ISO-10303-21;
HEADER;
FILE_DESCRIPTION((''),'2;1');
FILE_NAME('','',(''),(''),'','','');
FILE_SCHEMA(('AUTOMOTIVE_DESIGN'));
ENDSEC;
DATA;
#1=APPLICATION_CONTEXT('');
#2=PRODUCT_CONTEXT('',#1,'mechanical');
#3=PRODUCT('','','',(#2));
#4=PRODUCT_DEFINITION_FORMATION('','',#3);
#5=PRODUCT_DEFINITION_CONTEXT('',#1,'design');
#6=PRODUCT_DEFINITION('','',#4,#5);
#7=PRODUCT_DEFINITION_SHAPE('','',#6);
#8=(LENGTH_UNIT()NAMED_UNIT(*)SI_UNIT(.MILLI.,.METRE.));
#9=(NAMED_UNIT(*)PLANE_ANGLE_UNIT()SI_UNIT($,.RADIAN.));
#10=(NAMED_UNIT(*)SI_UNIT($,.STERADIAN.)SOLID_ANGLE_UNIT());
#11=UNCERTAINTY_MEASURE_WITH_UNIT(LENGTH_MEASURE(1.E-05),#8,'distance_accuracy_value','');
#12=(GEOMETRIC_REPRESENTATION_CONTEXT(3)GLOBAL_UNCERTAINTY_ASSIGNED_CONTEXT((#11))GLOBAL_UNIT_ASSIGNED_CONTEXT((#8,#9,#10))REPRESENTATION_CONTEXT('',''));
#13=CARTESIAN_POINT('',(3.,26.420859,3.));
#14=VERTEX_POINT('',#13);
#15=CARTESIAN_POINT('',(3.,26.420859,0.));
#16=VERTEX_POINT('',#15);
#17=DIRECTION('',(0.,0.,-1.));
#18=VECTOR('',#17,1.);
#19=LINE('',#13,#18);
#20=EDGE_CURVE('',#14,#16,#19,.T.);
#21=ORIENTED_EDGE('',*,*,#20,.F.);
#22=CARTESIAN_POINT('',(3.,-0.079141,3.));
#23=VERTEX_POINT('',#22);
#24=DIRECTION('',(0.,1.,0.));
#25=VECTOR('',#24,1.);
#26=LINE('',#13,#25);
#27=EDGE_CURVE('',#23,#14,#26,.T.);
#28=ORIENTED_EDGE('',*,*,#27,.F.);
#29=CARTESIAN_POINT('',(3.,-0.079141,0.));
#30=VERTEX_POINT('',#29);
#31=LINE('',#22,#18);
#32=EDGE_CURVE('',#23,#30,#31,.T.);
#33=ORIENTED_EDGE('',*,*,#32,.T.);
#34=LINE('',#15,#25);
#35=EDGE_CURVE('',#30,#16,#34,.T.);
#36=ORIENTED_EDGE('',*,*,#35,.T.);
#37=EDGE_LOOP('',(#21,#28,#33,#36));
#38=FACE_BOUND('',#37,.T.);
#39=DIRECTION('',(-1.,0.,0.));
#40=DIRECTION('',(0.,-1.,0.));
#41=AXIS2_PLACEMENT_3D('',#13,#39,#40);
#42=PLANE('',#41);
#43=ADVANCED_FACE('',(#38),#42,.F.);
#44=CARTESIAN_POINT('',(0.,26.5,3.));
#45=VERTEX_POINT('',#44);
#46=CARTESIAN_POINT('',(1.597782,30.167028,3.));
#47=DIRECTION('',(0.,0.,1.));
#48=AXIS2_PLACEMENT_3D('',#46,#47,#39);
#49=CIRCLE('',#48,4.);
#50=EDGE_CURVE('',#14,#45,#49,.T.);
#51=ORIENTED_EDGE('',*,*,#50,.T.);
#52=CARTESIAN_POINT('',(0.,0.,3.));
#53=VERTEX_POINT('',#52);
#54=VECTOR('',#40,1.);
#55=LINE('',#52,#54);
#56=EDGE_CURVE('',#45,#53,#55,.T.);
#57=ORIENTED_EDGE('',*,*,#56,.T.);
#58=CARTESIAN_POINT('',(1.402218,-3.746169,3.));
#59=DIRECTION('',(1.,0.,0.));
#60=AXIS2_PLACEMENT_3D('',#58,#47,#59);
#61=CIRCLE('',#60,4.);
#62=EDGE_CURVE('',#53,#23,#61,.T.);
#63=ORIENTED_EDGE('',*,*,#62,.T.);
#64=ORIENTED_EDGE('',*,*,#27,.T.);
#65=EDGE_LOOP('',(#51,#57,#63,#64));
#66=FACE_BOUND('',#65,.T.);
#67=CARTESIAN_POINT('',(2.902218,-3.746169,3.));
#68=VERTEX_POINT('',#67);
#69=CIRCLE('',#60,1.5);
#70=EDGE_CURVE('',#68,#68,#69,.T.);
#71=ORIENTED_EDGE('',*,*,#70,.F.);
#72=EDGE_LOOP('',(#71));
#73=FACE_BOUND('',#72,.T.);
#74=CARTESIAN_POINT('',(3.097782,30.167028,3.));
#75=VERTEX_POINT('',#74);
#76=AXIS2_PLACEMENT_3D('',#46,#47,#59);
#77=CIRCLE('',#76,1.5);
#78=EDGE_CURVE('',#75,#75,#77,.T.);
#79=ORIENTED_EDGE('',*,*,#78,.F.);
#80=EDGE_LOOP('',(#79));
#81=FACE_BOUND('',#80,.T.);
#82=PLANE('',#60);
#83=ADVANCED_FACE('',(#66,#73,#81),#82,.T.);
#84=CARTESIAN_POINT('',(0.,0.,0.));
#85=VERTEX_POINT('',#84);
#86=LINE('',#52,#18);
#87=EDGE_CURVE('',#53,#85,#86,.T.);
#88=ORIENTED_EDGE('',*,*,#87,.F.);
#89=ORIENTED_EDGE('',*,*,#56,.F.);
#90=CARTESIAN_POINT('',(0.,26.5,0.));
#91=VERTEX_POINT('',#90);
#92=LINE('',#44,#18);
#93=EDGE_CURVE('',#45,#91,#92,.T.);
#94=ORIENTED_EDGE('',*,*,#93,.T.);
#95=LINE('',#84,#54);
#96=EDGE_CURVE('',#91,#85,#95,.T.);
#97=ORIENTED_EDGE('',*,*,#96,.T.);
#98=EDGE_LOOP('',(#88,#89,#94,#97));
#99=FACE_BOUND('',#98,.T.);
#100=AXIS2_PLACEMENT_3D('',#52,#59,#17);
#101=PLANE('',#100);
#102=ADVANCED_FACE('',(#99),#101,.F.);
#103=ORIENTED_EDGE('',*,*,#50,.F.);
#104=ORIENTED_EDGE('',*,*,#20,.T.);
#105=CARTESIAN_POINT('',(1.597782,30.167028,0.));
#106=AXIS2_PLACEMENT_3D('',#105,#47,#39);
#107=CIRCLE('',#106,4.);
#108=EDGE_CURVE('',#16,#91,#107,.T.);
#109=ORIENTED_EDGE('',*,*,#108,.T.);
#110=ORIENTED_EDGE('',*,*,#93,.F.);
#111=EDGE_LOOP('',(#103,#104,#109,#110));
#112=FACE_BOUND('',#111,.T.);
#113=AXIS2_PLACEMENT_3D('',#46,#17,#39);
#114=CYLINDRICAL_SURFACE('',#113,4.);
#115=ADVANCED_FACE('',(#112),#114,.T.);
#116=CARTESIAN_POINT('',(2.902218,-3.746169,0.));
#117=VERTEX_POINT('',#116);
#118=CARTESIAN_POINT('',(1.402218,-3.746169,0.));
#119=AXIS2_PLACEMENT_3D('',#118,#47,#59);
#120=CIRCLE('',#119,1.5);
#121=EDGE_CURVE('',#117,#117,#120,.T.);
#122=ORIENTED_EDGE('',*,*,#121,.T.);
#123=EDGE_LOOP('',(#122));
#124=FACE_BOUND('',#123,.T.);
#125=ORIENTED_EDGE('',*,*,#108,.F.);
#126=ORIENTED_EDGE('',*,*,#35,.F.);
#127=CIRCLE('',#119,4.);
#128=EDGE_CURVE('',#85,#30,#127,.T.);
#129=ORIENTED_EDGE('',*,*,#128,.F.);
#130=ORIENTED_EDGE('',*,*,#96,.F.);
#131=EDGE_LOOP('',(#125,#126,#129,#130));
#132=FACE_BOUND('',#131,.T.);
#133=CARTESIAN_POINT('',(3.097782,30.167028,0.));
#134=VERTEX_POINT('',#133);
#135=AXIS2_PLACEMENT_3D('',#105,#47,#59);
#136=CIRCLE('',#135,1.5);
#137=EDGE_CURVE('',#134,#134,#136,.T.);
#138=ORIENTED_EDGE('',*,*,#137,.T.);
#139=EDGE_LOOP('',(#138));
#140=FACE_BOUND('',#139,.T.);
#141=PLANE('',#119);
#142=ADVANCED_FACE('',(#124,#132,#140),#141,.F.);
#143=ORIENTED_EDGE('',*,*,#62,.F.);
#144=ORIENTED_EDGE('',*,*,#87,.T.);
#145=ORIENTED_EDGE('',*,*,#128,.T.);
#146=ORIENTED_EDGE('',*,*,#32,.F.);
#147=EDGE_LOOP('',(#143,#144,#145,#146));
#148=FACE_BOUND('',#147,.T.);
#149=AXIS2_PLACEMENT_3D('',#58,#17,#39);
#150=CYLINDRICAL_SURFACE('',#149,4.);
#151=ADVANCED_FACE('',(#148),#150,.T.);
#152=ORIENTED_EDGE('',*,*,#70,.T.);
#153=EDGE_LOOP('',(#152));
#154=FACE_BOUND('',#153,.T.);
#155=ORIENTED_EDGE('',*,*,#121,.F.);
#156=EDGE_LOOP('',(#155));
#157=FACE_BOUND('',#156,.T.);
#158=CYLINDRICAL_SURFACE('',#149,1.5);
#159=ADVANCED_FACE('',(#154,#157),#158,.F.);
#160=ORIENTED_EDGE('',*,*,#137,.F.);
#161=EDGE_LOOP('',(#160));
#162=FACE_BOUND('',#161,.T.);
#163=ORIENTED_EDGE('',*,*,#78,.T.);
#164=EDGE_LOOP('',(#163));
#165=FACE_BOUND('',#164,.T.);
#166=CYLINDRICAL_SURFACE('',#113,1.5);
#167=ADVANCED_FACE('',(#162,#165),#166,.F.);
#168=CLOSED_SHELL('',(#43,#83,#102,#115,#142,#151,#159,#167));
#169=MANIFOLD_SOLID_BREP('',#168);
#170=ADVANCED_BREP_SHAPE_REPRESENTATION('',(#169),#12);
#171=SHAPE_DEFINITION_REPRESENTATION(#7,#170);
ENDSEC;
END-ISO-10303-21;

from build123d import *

# Parameters (mm, degrees)
SKETCH1_R           = 1.5
BOSS_EXTRUDE1_DEPTH = 3


with BuildPart() as part:
    # Sketch1 → Boss-Extrude1 (new body)
    with BuildSketch(Plane.XY):
        with BuildLine():
            Line((0, 0), (0, 26.5))
            ThreePointArc((0, 26.5), (1.703267099, 34.165636698), (3, 26.420858549))
            Line((3, 26.420858549), (3, -0.079141451))
            ThreePointArc((3, -0.079141451), (1.296732901, -7.744778149), (0, 0))
        make_face()
        with Locations((1.597781863, 30.167027832)):
            Circle(SKETCH1_R, mode=Mode.SUBTRACT)
        with Locations((1.402218137, -3.746169283)):
            Circle(SKETCH1_R, mode=Mode.SUBTRACT)
    extrude(amount=BOSS_EXTRUDE1_DEPTH)


solid = part.part
